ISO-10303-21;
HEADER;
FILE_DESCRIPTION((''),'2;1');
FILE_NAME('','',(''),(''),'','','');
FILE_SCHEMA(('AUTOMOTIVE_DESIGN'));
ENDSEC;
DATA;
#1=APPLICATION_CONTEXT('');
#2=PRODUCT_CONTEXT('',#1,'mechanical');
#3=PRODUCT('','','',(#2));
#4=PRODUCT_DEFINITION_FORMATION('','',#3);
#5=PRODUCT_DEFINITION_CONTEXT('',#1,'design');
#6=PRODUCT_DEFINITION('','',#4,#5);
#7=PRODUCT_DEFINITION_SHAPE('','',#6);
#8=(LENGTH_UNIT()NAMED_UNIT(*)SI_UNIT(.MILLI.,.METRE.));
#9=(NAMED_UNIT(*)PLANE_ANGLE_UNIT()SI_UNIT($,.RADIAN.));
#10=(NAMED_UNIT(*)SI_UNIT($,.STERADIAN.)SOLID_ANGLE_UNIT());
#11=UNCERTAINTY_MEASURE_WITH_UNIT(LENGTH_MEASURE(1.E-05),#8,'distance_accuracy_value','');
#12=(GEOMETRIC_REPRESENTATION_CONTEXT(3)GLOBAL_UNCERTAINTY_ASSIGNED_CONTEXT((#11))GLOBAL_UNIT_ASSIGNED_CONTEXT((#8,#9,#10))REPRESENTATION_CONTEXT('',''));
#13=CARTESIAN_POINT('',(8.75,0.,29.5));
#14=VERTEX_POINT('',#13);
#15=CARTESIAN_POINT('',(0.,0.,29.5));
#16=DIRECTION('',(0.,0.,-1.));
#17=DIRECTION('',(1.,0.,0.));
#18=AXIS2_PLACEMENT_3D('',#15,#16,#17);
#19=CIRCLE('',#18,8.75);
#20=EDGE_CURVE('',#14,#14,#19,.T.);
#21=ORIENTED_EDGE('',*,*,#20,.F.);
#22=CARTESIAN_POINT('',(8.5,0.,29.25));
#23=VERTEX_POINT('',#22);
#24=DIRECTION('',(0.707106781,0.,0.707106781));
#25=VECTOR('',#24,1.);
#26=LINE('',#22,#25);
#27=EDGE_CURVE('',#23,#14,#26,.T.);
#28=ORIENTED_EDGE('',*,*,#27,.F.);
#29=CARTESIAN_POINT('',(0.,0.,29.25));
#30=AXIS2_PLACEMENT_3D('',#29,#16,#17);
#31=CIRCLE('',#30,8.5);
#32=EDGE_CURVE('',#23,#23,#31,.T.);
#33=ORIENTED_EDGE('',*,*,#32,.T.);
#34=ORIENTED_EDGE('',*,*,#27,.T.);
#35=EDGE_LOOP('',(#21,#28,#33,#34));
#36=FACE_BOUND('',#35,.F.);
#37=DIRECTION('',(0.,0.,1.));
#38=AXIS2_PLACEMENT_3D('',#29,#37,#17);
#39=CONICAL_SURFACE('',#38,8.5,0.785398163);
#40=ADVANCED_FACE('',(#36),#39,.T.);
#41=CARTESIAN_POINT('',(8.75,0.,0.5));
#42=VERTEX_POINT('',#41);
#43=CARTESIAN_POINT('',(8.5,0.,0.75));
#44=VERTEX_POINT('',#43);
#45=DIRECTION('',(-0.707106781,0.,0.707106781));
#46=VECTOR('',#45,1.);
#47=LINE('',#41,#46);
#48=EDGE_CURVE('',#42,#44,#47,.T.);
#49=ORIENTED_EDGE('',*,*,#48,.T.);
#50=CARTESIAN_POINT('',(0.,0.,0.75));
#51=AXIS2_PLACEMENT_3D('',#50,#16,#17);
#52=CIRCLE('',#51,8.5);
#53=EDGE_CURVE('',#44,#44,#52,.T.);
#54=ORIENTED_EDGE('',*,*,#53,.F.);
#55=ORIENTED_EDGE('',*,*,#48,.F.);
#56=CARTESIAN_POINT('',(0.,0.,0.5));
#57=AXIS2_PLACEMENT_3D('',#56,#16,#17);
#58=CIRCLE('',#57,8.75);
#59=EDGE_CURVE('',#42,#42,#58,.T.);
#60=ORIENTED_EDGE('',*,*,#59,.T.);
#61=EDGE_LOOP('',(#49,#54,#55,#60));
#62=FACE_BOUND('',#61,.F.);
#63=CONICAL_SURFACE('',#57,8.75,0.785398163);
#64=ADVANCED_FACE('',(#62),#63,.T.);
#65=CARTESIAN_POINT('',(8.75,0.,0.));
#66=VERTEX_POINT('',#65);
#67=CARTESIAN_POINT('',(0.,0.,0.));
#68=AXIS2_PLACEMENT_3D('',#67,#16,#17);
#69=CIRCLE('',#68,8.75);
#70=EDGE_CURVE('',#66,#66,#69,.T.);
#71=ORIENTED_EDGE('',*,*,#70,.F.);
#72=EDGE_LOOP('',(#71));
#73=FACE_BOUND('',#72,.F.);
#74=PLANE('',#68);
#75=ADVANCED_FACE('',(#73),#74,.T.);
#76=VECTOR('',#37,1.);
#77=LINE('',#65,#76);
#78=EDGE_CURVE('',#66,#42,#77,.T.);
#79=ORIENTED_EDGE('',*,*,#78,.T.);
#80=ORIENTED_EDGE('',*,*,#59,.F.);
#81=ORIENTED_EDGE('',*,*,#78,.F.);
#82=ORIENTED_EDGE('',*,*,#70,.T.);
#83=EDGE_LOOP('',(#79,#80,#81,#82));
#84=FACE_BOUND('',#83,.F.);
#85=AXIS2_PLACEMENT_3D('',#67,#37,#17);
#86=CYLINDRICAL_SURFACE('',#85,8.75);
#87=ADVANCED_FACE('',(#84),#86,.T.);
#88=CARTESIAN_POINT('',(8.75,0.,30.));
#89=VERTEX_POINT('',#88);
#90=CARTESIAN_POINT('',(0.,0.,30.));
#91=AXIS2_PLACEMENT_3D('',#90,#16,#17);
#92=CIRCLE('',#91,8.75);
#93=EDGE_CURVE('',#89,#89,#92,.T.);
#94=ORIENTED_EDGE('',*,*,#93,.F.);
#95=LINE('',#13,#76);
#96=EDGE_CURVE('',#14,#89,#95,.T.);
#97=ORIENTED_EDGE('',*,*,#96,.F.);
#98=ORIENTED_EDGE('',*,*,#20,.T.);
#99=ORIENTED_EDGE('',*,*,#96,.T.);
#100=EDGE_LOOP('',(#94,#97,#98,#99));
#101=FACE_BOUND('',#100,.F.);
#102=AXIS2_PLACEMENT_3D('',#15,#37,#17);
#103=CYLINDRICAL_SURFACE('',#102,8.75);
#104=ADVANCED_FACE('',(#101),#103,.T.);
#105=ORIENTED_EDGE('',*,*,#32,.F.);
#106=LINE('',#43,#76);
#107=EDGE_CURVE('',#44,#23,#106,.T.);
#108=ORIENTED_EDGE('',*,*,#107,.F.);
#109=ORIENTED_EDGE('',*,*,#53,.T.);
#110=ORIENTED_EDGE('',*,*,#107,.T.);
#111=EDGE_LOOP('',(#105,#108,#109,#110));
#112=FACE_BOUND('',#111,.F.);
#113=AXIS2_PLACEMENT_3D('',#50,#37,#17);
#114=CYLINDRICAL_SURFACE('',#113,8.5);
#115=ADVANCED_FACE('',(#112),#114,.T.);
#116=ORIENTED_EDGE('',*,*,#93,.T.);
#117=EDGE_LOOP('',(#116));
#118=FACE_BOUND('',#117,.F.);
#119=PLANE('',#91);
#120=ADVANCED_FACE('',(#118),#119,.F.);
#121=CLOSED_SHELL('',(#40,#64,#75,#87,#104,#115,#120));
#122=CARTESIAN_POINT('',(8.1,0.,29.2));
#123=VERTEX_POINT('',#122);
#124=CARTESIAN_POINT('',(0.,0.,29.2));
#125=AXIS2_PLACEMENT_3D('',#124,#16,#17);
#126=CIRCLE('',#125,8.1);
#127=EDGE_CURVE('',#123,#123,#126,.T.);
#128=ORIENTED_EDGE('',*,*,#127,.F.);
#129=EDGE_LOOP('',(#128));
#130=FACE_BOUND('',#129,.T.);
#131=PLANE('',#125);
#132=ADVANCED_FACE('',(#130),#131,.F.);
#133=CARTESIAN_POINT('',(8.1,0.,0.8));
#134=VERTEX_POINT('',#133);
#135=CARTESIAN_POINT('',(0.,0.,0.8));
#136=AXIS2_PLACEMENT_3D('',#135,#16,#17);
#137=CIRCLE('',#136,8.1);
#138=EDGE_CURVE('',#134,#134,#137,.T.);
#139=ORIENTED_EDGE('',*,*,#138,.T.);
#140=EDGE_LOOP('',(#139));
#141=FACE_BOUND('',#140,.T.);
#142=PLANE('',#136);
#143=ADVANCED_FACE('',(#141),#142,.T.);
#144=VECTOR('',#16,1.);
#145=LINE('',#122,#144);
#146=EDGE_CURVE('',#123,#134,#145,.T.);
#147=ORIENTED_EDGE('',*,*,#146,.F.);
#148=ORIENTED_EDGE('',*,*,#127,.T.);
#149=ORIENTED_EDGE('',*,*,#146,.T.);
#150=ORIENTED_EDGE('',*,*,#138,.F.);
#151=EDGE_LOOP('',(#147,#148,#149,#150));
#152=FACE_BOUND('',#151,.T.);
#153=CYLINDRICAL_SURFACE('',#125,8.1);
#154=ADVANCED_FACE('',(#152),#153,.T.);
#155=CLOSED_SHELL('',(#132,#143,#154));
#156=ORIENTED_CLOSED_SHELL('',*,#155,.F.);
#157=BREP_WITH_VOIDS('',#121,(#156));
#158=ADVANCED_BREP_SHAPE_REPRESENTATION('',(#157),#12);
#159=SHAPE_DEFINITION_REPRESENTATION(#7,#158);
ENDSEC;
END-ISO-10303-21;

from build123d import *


with BuildPart() as f1:
    # F0 (on Front) → F1 (revolve)
    with BuildSketch(Plane.XZ):
        Polygon((8.75, 30), (8.5, 30), (8.5, 29.25), (8.75, 29.5), align=None)
        Polygon((8.75, 0.5), (8.5, 0.75), (8.5, 0), (8.75, 0), align=None)
        Polygon((8.5, 30), (0, 30), (0, 29.2), (8.1, 29.2), (8.1, 15), (8.1, 0.8), (0, 0.8), (0, 0), (8.5, 0), (8.5, 0.75), (8.5, 29.25), align=None)
    revolve(axis=Axis((0, 0, 15), (0, 0, -1)))


solid = f1.part
